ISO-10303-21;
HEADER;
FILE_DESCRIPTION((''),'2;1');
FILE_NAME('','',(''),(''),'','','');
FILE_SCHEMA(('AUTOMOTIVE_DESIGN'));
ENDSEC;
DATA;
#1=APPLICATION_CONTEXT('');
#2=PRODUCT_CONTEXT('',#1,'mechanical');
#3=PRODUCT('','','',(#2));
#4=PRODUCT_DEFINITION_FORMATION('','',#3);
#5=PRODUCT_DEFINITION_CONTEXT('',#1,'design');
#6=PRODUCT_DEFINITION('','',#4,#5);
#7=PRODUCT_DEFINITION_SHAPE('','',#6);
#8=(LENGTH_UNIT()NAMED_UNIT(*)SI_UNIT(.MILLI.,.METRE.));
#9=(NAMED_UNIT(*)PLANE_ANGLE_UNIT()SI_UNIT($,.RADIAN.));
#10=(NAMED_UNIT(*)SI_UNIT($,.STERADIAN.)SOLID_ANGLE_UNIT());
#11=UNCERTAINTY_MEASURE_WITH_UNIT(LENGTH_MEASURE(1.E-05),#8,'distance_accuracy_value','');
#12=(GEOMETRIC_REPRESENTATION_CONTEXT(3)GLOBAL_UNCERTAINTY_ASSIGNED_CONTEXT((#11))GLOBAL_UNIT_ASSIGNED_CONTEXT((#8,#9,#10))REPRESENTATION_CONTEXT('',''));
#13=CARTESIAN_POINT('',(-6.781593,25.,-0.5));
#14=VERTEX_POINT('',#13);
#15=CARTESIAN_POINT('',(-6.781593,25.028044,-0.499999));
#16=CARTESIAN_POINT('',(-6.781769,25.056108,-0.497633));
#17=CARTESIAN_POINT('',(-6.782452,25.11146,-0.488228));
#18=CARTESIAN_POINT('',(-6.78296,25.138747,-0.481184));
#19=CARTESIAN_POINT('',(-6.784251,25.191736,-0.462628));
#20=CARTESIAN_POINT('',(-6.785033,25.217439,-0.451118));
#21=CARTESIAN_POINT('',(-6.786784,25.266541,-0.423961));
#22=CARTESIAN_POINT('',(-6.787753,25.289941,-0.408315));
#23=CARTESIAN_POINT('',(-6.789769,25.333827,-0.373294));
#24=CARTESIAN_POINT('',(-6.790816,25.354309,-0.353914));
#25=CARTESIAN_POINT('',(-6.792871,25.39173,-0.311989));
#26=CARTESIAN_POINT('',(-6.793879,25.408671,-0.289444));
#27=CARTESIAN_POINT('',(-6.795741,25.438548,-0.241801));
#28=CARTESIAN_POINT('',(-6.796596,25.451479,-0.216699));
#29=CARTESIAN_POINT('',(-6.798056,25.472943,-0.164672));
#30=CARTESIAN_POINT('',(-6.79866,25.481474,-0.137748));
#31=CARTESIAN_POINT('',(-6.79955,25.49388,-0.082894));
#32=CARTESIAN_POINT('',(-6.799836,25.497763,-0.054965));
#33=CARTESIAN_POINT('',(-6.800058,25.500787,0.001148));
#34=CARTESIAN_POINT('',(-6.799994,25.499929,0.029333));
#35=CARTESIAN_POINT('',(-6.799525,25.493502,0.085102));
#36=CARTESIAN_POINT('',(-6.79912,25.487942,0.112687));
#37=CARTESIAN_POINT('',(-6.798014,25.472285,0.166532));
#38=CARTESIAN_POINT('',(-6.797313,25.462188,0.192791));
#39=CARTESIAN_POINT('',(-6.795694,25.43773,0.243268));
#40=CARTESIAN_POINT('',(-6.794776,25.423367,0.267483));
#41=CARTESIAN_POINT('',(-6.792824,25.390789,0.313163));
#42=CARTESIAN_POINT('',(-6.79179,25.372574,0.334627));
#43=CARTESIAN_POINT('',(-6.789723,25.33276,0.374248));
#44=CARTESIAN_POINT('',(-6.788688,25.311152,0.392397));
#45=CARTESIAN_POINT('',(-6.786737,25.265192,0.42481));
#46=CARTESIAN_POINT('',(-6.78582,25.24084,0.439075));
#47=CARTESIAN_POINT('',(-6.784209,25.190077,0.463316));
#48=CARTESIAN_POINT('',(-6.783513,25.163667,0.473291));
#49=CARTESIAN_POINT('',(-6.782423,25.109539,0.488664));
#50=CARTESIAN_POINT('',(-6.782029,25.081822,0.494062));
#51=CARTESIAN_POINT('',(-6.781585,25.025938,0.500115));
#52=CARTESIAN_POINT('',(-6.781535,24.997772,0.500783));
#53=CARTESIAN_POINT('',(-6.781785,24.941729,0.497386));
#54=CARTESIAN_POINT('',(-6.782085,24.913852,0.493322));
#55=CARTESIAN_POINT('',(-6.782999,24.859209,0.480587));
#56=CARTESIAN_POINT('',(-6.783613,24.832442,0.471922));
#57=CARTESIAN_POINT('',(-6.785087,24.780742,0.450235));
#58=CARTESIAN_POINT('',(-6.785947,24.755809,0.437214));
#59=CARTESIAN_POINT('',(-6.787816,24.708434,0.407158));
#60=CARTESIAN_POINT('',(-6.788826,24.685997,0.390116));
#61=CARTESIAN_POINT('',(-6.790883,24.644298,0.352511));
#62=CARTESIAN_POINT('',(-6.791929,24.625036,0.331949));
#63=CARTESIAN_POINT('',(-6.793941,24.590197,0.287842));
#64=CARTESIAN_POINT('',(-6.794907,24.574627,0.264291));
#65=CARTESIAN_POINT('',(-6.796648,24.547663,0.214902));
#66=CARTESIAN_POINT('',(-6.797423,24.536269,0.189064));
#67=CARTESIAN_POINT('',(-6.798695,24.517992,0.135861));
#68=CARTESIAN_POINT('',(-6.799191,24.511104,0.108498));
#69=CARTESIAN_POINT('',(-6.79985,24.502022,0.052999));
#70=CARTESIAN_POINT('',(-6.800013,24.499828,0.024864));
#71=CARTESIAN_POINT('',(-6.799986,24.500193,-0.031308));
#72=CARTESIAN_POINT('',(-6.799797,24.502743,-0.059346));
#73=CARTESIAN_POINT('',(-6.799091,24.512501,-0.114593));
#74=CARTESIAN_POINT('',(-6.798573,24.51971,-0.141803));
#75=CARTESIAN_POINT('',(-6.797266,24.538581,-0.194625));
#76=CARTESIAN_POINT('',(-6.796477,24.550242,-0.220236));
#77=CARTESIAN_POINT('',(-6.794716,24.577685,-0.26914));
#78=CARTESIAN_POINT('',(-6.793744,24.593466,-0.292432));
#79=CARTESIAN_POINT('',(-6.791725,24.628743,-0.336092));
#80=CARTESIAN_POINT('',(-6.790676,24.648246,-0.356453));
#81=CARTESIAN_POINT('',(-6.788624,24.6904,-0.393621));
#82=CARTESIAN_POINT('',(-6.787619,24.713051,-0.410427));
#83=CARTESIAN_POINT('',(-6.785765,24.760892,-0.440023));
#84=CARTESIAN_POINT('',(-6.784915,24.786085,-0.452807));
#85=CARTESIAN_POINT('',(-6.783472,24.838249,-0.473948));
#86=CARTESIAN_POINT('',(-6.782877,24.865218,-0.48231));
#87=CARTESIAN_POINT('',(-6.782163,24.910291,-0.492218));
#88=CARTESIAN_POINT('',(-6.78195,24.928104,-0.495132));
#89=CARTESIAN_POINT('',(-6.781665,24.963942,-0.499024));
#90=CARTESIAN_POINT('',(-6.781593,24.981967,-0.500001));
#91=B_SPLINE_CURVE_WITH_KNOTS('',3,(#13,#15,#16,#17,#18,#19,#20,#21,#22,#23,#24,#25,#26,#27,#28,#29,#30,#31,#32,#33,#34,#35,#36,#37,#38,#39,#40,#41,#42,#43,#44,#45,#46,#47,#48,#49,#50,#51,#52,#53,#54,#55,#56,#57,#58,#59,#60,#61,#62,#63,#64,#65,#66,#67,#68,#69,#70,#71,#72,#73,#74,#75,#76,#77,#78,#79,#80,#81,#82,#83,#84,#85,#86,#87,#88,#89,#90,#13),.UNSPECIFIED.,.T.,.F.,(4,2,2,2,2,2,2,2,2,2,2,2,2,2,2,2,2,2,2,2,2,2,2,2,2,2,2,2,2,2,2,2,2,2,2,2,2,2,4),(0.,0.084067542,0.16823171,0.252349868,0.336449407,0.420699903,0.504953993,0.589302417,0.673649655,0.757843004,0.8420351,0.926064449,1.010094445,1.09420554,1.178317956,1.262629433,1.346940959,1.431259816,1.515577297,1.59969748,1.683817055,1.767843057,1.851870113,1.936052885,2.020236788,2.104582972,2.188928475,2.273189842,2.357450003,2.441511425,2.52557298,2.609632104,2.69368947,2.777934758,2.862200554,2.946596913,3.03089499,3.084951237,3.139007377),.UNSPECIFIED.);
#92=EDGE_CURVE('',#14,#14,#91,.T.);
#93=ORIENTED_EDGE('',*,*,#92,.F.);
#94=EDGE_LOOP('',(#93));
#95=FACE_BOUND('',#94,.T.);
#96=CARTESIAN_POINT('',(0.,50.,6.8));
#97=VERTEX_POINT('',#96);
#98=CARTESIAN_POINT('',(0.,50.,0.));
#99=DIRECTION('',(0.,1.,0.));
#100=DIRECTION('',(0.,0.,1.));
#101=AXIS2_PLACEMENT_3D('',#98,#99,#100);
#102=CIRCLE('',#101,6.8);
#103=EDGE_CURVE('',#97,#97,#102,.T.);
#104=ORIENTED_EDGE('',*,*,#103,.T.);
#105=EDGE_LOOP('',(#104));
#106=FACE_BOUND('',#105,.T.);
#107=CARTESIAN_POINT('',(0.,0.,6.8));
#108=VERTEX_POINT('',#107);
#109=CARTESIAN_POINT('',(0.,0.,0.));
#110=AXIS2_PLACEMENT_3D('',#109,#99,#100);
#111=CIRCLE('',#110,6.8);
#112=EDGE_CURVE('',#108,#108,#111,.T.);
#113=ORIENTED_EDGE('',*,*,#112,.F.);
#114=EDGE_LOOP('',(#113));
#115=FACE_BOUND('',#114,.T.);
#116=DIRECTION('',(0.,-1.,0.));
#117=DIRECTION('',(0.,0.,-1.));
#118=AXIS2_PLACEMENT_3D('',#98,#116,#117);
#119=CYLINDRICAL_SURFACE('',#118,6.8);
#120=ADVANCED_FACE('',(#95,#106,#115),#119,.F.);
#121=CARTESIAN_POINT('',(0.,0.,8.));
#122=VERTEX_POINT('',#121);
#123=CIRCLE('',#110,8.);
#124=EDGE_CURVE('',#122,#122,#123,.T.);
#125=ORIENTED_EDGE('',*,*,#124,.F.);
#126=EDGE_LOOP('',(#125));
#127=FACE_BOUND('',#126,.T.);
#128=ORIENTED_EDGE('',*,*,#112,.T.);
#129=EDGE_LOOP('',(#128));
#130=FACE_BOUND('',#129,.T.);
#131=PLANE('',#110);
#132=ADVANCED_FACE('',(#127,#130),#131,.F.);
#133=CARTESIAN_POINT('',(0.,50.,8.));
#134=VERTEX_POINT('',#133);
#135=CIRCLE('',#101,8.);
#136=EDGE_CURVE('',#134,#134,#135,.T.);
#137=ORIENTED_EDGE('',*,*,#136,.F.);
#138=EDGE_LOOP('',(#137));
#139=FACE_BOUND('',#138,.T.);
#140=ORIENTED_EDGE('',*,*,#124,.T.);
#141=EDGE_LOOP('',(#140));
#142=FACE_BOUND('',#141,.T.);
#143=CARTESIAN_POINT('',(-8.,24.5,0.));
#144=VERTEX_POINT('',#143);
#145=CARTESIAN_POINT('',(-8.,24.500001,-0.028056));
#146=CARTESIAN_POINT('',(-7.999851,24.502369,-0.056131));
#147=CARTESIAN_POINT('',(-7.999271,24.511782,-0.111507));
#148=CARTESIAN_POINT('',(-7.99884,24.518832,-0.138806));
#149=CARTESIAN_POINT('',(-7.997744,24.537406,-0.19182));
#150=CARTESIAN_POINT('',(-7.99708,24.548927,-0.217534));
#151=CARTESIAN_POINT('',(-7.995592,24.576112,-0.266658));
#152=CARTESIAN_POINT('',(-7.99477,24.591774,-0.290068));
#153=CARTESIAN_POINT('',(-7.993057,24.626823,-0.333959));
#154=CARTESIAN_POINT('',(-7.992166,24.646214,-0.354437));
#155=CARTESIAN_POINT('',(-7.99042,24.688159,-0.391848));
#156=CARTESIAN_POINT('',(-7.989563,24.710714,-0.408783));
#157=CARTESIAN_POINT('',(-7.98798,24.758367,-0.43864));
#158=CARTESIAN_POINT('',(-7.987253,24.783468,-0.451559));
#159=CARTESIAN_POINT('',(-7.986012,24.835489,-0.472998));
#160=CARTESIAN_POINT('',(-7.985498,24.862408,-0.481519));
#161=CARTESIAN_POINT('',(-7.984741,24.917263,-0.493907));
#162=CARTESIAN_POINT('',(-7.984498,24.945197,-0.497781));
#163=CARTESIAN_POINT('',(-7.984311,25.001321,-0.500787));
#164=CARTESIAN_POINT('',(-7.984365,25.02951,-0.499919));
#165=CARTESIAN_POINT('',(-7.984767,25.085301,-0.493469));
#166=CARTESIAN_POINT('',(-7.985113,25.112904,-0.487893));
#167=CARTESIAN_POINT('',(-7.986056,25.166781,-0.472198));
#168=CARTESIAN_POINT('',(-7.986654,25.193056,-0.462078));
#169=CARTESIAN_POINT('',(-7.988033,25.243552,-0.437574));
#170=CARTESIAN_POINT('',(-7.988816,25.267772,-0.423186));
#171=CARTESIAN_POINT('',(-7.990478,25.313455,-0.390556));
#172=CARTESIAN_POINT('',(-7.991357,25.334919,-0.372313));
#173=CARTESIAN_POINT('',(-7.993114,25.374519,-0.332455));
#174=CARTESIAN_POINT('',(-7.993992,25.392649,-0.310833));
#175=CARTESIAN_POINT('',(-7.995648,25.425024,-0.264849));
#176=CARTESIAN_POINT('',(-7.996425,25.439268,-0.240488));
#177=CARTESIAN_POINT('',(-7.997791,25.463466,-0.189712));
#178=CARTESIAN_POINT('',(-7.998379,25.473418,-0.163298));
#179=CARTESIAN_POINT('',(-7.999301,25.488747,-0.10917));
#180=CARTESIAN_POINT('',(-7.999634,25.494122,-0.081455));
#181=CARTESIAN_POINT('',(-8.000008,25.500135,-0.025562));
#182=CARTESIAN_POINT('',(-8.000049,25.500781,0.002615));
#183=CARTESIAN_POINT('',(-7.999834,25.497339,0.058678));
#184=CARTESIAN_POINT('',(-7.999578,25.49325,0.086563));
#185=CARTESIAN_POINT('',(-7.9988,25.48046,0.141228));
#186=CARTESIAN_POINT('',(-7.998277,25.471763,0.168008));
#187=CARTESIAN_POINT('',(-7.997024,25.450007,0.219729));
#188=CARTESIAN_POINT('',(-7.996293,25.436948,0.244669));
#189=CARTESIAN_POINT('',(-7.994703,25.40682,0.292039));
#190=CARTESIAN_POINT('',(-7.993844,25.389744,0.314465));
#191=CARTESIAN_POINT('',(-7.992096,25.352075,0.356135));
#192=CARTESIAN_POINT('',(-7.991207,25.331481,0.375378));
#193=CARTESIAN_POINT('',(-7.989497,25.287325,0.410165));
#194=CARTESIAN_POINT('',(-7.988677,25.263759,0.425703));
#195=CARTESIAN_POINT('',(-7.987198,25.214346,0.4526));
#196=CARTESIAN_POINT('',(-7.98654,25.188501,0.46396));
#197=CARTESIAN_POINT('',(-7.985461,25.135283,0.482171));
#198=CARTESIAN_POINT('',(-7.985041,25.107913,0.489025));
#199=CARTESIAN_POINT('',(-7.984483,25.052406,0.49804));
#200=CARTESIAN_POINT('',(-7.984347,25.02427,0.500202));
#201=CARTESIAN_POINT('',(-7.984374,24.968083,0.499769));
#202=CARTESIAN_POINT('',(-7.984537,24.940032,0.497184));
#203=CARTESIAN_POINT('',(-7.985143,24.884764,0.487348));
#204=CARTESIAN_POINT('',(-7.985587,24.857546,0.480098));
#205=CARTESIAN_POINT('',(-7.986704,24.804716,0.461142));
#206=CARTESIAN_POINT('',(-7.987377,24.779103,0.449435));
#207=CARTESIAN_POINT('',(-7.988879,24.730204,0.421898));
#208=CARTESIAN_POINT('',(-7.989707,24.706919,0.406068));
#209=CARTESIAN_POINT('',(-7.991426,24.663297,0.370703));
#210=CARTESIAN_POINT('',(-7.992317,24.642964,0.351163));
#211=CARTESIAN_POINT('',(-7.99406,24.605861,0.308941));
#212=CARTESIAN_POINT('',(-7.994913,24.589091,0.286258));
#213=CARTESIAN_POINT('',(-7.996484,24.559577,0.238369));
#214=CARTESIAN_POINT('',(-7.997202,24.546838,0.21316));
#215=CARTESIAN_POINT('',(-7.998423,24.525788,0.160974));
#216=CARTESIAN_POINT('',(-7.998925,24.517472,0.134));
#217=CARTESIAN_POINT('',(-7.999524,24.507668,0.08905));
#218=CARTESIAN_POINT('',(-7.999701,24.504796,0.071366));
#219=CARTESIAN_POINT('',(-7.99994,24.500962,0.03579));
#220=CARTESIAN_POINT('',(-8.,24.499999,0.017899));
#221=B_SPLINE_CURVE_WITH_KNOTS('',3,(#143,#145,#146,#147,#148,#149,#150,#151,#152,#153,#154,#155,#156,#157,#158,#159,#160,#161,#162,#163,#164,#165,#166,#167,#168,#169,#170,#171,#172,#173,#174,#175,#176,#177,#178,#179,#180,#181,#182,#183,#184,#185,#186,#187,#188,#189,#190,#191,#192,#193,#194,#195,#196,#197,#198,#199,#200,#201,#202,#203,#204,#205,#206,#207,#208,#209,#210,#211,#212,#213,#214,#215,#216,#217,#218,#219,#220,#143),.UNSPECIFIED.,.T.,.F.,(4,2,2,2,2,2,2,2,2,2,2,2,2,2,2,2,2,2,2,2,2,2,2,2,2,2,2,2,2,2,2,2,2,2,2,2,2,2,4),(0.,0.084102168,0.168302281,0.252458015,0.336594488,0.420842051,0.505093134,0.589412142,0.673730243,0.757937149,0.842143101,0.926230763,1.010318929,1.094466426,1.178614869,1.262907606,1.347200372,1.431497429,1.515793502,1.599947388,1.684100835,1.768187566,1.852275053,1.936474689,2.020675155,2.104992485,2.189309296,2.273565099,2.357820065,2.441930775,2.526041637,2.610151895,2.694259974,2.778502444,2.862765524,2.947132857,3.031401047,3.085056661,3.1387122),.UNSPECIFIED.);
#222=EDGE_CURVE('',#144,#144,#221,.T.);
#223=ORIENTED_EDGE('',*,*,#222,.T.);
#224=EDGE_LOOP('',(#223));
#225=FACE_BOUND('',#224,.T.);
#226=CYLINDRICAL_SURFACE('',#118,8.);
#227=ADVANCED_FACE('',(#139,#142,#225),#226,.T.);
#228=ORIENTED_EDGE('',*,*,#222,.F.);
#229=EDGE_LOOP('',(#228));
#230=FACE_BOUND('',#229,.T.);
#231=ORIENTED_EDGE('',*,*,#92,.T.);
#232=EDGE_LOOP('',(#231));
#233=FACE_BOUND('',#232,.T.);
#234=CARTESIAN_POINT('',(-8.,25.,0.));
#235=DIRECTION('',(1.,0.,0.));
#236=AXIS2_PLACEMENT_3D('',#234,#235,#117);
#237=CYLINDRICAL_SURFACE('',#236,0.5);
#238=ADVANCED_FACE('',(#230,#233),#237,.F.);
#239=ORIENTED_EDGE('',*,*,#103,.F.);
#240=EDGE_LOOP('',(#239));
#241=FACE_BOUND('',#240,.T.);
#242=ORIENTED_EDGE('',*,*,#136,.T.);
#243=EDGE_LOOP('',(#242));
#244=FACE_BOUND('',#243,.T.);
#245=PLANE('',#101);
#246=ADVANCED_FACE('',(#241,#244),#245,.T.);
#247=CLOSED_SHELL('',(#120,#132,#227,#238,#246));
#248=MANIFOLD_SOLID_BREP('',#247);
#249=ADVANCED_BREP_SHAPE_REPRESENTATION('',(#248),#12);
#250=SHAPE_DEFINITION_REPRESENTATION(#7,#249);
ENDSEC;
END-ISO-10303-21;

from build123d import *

# Parameters (mm, degrees)
SKETCH1_R           = 8
SKETCH1_R_2         = 6.8
BOSS_EXTRUDE1_DEPTH = 50
SKETCH2_R           = 0.5
CUT_EXTRUDE1_DEPTH  = 52.264022472


with BuildPart() as part:
    # Sketch1 → Boss-Extrude1 (new body)
    with BuildSketch(Plane(origin=(0, 0, 0), x_dir=(1, 0, 0), z_dir=(0, 1, 0))):
        with Locations(Location((0, 0, 0), (0, 0, 270))):
            Circle(SKETCH1_R)
        with Locations(Location((0, 0, 0), (0, 0, 270))):
            Circle(SKETCH1_R_2, mode=Mode.SUBTRACT)
    extrude(amount=BOSS_EXTRUDE1_DEPTH)

    # Sketch2 → Cut-Extrude1 (cut, through all)
    with BuildSketch(Plane(origin=(0, 0, 0), x_dir=(0, 0, -1), z_dir=(1, 0, 0))):
        with Locations((0, 25)):
            Circle(SKETCH2_R)
    extrude(amount=-CUT_EXTRUDE1_DEPTH, mode=Mode.SUBTRACT)


solid = part.part
